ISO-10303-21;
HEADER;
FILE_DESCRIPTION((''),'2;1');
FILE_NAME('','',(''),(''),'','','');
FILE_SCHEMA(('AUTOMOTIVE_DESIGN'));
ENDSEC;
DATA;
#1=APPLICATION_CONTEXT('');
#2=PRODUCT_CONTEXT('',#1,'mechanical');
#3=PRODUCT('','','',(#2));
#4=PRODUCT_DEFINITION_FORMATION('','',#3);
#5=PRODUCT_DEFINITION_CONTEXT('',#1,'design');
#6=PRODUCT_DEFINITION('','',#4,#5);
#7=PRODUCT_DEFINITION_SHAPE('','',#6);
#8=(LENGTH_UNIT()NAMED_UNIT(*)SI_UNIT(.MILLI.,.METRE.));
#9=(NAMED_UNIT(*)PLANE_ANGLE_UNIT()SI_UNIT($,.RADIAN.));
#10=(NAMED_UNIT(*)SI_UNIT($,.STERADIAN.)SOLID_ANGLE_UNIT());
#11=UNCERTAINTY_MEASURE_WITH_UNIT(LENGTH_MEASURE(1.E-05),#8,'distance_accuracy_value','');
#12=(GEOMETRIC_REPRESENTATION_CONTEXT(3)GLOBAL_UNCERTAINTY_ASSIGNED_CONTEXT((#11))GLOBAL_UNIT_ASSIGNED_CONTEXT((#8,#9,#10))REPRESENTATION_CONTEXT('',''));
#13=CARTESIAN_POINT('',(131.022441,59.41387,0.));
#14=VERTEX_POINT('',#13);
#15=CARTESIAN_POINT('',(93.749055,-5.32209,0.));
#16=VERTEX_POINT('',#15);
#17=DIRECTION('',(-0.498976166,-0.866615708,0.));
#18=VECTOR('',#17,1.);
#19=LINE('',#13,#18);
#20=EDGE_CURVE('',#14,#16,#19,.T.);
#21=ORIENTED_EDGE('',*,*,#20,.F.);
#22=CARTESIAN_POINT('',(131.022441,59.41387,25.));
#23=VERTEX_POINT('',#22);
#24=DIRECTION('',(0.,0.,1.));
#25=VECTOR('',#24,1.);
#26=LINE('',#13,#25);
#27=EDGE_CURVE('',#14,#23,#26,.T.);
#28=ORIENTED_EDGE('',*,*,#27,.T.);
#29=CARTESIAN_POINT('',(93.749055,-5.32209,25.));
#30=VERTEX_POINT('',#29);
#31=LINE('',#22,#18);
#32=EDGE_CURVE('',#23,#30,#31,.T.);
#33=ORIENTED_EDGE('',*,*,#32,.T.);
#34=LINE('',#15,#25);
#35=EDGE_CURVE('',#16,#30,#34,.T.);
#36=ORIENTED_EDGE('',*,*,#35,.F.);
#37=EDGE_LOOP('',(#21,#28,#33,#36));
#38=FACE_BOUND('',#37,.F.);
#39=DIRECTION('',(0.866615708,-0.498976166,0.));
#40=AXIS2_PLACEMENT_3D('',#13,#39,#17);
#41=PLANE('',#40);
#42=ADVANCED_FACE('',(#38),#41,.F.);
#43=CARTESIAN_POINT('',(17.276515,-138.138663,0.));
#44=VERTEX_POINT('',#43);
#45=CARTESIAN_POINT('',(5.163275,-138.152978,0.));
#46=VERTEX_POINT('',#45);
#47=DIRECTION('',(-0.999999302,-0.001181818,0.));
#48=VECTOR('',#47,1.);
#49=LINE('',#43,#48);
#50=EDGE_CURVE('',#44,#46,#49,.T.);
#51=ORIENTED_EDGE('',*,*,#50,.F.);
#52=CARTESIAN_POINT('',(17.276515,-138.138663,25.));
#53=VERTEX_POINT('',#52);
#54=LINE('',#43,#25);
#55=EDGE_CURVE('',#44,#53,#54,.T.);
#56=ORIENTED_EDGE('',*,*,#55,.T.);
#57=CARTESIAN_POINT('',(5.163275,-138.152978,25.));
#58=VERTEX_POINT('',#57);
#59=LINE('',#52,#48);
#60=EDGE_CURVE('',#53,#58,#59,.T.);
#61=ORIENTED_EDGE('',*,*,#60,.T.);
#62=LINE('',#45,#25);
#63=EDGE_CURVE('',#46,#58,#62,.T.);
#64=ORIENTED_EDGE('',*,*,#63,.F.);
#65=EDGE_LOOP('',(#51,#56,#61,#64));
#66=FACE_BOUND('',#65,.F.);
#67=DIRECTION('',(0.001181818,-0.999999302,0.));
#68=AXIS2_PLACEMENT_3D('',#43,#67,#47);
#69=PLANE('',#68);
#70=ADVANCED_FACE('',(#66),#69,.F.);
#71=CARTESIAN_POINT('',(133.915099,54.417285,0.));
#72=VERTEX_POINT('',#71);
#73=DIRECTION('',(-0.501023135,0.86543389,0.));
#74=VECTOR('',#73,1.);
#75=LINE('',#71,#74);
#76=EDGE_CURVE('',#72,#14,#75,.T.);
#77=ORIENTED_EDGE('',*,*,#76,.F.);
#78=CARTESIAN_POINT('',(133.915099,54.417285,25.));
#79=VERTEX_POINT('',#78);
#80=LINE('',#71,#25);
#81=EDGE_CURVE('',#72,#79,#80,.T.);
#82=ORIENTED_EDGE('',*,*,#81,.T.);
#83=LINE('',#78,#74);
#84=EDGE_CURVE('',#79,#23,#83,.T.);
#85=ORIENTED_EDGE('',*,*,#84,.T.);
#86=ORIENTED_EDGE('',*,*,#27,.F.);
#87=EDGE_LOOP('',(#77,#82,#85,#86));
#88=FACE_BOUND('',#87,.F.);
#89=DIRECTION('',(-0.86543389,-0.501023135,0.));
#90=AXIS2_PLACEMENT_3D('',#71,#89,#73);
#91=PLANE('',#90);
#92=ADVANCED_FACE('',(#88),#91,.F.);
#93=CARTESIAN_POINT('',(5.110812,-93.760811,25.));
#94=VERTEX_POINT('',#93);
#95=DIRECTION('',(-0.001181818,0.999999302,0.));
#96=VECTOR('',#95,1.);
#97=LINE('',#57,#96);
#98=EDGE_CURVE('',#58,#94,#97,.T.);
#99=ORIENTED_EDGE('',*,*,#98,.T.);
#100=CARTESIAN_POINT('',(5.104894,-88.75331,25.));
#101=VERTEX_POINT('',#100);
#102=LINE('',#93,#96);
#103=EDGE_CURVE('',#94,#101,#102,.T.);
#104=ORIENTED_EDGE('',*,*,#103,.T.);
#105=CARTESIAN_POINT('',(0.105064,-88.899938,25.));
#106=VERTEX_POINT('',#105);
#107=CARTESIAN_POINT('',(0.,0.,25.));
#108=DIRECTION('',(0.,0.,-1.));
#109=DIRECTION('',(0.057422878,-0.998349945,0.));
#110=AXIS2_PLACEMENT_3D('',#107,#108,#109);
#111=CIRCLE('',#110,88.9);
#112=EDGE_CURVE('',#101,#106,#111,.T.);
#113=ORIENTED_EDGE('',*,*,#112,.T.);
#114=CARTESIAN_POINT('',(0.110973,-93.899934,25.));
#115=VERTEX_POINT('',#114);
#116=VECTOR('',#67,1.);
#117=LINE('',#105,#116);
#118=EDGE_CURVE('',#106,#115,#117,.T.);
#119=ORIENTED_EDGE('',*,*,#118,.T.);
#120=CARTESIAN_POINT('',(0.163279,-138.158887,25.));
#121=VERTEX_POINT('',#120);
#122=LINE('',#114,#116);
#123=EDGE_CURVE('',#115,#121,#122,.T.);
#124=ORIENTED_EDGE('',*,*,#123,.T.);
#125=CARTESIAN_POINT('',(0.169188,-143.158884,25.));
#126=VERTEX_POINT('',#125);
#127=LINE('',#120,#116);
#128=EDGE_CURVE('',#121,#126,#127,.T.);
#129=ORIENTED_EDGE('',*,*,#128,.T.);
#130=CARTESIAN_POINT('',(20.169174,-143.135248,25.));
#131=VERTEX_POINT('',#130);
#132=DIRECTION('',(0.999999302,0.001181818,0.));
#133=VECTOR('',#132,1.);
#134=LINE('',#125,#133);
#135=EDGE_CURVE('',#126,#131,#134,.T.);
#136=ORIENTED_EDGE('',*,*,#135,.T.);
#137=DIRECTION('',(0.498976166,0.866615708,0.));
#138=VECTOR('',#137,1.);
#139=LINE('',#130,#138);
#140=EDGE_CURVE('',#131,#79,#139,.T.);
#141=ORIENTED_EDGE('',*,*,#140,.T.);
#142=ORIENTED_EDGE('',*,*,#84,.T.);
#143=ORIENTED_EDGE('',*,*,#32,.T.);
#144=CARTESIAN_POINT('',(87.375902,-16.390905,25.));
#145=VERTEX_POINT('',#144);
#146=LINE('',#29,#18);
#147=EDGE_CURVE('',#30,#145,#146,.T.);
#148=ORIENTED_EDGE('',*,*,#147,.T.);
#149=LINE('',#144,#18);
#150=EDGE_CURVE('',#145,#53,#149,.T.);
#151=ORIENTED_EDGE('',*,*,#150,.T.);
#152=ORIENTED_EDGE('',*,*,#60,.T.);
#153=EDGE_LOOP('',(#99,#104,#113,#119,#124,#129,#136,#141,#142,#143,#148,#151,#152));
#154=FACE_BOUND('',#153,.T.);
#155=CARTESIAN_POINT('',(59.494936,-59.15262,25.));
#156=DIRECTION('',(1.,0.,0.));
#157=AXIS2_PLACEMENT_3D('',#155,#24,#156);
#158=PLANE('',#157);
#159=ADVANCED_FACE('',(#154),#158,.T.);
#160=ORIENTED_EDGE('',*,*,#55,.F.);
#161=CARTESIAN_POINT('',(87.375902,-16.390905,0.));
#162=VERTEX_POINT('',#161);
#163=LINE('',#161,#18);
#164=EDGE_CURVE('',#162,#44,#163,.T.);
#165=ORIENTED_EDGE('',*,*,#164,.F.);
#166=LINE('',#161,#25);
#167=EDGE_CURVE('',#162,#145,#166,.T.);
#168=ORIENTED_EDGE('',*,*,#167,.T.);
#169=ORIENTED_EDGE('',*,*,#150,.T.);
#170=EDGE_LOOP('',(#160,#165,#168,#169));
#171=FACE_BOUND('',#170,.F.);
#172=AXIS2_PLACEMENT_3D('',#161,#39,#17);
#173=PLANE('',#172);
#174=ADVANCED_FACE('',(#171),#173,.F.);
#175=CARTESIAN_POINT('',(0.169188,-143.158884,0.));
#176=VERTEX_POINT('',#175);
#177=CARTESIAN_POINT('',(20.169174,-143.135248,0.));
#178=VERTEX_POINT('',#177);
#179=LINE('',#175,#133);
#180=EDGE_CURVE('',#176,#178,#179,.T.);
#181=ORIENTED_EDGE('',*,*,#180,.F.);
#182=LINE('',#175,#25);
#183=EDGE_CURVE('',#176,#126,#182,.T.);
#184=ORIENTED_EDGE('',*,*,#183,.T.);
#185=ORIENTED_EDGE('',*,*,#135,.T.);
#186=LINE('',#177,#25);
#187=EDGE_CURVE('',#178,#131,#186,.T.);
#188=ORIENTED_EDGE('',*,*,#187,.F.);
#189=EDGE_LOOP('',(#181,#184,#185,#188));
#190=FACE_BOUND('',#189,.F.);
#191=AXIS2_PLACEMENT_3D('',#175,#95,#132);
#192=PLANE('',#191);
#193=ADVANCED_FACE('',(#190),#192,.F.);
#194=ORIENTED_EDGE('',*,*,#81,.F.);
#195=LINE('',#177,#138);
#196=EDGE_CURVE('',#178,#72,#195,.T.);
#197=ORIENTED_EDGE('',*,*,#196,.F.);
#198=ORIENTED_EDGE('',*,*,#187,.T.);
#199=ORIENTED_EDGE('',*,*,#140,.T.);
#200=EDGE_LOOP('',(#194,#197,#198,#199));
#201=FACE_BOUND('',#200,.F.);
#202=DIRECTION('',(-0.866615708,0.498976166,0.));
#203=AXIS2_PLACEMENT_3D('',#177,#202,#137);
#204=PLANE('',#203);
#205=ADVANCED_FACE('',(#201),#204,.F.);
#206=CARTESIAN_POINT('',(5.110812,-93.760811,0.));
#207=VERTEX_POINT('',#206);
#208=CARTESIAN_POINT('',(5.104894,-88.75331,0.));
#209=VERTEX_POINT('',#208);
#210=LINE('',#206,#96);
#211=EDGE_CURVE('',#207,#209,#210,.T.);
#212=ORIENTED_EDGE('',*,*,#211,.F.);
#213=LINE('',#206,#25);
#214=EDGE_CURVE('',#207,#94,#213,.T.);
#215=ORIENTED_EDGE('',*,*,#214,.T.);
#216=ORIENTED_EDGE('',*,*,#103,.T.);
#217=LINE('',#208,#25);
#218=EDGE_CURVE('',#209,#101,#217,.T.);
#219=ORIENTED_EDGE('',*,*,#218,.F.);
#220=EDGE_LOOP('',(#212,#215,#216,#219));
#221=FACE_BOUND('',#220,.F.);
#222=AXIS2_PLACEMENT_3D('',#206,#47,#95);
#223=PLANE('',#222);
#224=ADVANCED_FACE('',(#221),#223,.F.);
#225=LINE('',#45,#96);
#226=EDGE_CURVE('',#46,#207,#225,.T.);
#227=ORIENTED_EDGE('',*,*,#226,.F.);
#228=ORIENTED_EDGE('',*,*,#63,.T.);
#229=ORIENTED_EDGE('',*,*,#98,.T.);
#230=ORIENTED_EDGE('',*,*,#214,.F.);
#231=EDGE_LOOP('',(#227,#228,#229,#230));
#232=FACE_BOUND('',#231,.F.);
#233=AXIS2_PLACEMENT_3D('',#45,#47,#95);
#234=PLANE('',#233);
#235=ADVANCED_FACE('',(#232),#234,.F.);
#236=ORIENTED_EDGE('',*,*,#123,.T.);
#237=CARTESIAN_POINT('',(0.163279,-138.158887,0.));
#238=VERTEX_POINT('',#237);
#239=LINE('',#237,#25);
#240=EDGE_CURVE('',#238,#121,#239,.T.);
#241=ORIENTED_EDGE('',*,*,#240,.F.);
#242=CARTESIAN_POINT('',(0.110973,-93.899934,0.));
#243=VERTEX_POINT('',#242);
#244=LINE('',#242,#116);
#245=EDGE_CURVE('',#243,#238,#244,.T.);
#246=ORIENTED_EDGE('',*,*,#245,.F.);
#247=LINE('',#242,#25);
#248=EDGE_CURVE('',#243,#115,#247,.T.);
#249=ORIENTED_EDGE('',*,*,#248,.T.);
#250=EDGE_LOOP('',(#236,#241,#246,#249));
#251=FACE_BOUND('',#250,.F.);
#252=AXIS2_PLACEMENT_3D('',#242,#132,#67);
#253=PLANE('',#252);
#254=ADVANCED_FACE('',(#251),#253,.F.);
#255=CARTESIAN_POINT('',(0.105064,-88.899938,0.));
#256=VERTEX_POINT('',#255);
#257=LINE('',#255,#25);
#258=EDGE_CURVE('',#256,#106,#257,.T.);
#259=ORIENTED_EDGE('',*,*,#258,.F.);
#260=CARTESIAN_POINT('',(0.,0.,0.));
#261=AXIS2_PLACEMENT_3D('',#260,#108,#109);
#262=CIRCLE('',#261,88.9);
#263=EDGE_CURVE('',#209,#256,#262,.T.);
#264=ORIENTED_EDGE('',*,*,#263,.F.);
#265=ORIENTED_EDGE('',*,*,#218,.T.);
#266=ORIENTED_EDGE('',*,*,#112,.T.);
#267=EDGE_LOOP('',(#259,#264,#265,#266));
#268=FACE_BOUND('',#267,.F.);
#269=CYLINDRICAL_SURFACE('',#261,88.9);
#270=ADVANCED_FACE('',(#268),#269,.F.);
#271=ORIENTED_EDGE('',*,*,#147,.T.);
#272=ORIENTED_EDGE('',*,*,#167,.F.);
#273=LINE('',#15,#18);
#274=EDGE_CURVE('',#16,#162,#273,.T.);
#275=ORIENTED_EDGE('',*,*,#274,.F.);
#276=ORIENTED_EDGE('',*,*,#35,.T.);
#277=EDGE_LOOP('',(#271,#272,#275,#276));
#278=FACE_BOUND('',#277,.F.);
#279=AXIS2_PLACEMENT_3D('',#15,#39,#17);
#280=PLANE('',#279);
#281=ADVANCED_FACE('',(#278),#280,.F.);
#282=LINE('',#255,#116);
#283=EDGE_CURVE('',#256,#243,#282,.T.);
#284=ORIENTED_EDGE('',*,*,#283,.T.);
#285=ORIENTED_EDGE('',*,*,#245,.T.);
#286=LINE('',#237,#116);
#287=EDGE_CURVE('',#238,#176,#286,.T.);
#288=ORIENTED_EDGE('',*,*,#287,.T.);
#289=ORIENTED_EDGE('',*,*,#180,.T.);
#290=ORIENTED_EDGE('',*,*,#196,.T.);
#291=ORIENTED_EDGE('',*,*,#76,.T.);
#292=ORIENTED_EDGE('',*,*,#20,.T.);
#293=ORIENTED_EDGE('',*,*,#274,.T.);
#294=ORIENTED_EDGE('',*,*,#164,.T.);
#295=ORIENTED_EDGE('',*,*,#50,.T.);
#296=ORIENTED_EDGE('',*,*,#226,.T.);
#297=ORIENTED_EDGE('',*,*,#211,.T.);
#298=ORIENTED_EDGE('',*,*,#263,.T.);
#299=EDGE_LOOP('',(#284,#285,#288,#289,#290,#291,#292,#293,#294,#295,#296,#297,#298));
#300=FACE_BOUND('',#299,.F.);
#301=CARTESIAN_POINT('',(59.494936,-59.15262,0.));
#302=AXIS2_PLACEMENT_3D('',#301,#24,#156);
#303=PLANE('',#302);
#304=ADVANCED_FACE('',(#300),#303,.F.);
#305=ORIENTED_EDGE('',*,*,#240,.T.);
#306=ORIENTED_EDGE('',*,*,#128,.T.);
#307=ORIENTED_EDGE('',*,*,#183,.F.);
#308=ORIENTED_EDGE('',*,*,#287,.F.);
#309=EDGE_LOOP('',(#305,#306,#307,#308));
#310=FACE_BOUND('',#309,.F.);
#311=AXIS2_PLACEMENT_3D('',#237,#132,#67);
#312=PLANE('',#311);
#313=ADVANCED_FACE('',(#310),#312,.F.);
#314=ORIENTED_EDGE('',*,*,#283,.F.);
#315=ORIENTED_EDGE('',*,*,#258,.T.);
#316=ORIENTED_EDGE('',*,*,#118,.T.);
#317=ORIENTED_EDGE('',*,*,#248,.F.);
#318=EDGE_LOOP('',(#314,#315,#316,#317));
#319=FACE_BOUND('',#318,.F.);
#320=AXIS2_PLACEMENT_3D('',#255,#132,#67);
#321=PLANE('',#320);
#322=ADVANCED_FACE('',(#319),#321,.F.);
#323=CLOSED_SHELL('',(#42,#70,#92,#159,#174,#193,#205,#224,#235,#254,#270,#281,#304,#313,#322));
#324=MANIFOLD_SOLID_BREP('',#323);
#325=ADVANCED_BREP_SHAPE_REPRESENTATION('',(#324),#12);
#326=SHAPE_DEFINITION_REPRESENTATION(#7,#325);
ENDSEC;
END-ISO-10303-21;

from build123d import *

# Parameters (mm, degrees)
F1_DEPTH = 25


with BuildPart() as f1:
    # F0 (on Top) → F1 (new body)
    with BuildSketch(Plane.XY):
        with BuildLine():
            Line((92.1273999189, -18.1590799378), (133.9150989845, 54.4172851264))
            Line((133.9150989845, 54.4172851264), (131.0224405645, 59.41387002))
            Line((131.0224405645, 59.41387002), (93.7490552312, -5.3220901218))
            Line((93.7490552312, -5.3220901218), (87.3759019195, -16.3909049094))
            Line((87.3759019195, -16.3909049094), (58.0422138833, -67.3372958139))
            Line((58.0422138833, -67.3372958139), (51.6690605717, -78.4061106014))
            Line((51.6690605717, -78.4061106014), (17.2765154783, -138.1386626202))
            Line((17.2765154783, -138.1386626202), (5.1632752835, -138.1529782756))
            Line((5.1632752835, -138.1529782756), (5.1108117836, -93.7608105922))
            Line((5.1108117836, -93.7608105922), (5.1048938253, -88.75331013))
            ThreePointArc((5.1048938253, -88.75331013), (2.6060101832, -88.8617955644), (0.105063621, -88.8999379169))
            Line((0.105063621, -88.8999379169), (0.110972711, -93.8999344252))
            Line((0.110972711, -93.8999344252), (0.1632787752, -138.1588873657))
            Line((0.1632787752, -138.1588873657), (0.1691878653, -143.158883874))
            Line((0.1691878653, -143.158883874), (20.1691738983, -143.1352475138))
            Line((20.1691738983, -143.1352475138), (61.956872964, -70.5588824495))
            Line((61.956872964, -70.5588824495), (92.1273999189, -18.1590799378))
        make_face()
    extrude(amount=F1_DEPTH)


solid = f1.part
